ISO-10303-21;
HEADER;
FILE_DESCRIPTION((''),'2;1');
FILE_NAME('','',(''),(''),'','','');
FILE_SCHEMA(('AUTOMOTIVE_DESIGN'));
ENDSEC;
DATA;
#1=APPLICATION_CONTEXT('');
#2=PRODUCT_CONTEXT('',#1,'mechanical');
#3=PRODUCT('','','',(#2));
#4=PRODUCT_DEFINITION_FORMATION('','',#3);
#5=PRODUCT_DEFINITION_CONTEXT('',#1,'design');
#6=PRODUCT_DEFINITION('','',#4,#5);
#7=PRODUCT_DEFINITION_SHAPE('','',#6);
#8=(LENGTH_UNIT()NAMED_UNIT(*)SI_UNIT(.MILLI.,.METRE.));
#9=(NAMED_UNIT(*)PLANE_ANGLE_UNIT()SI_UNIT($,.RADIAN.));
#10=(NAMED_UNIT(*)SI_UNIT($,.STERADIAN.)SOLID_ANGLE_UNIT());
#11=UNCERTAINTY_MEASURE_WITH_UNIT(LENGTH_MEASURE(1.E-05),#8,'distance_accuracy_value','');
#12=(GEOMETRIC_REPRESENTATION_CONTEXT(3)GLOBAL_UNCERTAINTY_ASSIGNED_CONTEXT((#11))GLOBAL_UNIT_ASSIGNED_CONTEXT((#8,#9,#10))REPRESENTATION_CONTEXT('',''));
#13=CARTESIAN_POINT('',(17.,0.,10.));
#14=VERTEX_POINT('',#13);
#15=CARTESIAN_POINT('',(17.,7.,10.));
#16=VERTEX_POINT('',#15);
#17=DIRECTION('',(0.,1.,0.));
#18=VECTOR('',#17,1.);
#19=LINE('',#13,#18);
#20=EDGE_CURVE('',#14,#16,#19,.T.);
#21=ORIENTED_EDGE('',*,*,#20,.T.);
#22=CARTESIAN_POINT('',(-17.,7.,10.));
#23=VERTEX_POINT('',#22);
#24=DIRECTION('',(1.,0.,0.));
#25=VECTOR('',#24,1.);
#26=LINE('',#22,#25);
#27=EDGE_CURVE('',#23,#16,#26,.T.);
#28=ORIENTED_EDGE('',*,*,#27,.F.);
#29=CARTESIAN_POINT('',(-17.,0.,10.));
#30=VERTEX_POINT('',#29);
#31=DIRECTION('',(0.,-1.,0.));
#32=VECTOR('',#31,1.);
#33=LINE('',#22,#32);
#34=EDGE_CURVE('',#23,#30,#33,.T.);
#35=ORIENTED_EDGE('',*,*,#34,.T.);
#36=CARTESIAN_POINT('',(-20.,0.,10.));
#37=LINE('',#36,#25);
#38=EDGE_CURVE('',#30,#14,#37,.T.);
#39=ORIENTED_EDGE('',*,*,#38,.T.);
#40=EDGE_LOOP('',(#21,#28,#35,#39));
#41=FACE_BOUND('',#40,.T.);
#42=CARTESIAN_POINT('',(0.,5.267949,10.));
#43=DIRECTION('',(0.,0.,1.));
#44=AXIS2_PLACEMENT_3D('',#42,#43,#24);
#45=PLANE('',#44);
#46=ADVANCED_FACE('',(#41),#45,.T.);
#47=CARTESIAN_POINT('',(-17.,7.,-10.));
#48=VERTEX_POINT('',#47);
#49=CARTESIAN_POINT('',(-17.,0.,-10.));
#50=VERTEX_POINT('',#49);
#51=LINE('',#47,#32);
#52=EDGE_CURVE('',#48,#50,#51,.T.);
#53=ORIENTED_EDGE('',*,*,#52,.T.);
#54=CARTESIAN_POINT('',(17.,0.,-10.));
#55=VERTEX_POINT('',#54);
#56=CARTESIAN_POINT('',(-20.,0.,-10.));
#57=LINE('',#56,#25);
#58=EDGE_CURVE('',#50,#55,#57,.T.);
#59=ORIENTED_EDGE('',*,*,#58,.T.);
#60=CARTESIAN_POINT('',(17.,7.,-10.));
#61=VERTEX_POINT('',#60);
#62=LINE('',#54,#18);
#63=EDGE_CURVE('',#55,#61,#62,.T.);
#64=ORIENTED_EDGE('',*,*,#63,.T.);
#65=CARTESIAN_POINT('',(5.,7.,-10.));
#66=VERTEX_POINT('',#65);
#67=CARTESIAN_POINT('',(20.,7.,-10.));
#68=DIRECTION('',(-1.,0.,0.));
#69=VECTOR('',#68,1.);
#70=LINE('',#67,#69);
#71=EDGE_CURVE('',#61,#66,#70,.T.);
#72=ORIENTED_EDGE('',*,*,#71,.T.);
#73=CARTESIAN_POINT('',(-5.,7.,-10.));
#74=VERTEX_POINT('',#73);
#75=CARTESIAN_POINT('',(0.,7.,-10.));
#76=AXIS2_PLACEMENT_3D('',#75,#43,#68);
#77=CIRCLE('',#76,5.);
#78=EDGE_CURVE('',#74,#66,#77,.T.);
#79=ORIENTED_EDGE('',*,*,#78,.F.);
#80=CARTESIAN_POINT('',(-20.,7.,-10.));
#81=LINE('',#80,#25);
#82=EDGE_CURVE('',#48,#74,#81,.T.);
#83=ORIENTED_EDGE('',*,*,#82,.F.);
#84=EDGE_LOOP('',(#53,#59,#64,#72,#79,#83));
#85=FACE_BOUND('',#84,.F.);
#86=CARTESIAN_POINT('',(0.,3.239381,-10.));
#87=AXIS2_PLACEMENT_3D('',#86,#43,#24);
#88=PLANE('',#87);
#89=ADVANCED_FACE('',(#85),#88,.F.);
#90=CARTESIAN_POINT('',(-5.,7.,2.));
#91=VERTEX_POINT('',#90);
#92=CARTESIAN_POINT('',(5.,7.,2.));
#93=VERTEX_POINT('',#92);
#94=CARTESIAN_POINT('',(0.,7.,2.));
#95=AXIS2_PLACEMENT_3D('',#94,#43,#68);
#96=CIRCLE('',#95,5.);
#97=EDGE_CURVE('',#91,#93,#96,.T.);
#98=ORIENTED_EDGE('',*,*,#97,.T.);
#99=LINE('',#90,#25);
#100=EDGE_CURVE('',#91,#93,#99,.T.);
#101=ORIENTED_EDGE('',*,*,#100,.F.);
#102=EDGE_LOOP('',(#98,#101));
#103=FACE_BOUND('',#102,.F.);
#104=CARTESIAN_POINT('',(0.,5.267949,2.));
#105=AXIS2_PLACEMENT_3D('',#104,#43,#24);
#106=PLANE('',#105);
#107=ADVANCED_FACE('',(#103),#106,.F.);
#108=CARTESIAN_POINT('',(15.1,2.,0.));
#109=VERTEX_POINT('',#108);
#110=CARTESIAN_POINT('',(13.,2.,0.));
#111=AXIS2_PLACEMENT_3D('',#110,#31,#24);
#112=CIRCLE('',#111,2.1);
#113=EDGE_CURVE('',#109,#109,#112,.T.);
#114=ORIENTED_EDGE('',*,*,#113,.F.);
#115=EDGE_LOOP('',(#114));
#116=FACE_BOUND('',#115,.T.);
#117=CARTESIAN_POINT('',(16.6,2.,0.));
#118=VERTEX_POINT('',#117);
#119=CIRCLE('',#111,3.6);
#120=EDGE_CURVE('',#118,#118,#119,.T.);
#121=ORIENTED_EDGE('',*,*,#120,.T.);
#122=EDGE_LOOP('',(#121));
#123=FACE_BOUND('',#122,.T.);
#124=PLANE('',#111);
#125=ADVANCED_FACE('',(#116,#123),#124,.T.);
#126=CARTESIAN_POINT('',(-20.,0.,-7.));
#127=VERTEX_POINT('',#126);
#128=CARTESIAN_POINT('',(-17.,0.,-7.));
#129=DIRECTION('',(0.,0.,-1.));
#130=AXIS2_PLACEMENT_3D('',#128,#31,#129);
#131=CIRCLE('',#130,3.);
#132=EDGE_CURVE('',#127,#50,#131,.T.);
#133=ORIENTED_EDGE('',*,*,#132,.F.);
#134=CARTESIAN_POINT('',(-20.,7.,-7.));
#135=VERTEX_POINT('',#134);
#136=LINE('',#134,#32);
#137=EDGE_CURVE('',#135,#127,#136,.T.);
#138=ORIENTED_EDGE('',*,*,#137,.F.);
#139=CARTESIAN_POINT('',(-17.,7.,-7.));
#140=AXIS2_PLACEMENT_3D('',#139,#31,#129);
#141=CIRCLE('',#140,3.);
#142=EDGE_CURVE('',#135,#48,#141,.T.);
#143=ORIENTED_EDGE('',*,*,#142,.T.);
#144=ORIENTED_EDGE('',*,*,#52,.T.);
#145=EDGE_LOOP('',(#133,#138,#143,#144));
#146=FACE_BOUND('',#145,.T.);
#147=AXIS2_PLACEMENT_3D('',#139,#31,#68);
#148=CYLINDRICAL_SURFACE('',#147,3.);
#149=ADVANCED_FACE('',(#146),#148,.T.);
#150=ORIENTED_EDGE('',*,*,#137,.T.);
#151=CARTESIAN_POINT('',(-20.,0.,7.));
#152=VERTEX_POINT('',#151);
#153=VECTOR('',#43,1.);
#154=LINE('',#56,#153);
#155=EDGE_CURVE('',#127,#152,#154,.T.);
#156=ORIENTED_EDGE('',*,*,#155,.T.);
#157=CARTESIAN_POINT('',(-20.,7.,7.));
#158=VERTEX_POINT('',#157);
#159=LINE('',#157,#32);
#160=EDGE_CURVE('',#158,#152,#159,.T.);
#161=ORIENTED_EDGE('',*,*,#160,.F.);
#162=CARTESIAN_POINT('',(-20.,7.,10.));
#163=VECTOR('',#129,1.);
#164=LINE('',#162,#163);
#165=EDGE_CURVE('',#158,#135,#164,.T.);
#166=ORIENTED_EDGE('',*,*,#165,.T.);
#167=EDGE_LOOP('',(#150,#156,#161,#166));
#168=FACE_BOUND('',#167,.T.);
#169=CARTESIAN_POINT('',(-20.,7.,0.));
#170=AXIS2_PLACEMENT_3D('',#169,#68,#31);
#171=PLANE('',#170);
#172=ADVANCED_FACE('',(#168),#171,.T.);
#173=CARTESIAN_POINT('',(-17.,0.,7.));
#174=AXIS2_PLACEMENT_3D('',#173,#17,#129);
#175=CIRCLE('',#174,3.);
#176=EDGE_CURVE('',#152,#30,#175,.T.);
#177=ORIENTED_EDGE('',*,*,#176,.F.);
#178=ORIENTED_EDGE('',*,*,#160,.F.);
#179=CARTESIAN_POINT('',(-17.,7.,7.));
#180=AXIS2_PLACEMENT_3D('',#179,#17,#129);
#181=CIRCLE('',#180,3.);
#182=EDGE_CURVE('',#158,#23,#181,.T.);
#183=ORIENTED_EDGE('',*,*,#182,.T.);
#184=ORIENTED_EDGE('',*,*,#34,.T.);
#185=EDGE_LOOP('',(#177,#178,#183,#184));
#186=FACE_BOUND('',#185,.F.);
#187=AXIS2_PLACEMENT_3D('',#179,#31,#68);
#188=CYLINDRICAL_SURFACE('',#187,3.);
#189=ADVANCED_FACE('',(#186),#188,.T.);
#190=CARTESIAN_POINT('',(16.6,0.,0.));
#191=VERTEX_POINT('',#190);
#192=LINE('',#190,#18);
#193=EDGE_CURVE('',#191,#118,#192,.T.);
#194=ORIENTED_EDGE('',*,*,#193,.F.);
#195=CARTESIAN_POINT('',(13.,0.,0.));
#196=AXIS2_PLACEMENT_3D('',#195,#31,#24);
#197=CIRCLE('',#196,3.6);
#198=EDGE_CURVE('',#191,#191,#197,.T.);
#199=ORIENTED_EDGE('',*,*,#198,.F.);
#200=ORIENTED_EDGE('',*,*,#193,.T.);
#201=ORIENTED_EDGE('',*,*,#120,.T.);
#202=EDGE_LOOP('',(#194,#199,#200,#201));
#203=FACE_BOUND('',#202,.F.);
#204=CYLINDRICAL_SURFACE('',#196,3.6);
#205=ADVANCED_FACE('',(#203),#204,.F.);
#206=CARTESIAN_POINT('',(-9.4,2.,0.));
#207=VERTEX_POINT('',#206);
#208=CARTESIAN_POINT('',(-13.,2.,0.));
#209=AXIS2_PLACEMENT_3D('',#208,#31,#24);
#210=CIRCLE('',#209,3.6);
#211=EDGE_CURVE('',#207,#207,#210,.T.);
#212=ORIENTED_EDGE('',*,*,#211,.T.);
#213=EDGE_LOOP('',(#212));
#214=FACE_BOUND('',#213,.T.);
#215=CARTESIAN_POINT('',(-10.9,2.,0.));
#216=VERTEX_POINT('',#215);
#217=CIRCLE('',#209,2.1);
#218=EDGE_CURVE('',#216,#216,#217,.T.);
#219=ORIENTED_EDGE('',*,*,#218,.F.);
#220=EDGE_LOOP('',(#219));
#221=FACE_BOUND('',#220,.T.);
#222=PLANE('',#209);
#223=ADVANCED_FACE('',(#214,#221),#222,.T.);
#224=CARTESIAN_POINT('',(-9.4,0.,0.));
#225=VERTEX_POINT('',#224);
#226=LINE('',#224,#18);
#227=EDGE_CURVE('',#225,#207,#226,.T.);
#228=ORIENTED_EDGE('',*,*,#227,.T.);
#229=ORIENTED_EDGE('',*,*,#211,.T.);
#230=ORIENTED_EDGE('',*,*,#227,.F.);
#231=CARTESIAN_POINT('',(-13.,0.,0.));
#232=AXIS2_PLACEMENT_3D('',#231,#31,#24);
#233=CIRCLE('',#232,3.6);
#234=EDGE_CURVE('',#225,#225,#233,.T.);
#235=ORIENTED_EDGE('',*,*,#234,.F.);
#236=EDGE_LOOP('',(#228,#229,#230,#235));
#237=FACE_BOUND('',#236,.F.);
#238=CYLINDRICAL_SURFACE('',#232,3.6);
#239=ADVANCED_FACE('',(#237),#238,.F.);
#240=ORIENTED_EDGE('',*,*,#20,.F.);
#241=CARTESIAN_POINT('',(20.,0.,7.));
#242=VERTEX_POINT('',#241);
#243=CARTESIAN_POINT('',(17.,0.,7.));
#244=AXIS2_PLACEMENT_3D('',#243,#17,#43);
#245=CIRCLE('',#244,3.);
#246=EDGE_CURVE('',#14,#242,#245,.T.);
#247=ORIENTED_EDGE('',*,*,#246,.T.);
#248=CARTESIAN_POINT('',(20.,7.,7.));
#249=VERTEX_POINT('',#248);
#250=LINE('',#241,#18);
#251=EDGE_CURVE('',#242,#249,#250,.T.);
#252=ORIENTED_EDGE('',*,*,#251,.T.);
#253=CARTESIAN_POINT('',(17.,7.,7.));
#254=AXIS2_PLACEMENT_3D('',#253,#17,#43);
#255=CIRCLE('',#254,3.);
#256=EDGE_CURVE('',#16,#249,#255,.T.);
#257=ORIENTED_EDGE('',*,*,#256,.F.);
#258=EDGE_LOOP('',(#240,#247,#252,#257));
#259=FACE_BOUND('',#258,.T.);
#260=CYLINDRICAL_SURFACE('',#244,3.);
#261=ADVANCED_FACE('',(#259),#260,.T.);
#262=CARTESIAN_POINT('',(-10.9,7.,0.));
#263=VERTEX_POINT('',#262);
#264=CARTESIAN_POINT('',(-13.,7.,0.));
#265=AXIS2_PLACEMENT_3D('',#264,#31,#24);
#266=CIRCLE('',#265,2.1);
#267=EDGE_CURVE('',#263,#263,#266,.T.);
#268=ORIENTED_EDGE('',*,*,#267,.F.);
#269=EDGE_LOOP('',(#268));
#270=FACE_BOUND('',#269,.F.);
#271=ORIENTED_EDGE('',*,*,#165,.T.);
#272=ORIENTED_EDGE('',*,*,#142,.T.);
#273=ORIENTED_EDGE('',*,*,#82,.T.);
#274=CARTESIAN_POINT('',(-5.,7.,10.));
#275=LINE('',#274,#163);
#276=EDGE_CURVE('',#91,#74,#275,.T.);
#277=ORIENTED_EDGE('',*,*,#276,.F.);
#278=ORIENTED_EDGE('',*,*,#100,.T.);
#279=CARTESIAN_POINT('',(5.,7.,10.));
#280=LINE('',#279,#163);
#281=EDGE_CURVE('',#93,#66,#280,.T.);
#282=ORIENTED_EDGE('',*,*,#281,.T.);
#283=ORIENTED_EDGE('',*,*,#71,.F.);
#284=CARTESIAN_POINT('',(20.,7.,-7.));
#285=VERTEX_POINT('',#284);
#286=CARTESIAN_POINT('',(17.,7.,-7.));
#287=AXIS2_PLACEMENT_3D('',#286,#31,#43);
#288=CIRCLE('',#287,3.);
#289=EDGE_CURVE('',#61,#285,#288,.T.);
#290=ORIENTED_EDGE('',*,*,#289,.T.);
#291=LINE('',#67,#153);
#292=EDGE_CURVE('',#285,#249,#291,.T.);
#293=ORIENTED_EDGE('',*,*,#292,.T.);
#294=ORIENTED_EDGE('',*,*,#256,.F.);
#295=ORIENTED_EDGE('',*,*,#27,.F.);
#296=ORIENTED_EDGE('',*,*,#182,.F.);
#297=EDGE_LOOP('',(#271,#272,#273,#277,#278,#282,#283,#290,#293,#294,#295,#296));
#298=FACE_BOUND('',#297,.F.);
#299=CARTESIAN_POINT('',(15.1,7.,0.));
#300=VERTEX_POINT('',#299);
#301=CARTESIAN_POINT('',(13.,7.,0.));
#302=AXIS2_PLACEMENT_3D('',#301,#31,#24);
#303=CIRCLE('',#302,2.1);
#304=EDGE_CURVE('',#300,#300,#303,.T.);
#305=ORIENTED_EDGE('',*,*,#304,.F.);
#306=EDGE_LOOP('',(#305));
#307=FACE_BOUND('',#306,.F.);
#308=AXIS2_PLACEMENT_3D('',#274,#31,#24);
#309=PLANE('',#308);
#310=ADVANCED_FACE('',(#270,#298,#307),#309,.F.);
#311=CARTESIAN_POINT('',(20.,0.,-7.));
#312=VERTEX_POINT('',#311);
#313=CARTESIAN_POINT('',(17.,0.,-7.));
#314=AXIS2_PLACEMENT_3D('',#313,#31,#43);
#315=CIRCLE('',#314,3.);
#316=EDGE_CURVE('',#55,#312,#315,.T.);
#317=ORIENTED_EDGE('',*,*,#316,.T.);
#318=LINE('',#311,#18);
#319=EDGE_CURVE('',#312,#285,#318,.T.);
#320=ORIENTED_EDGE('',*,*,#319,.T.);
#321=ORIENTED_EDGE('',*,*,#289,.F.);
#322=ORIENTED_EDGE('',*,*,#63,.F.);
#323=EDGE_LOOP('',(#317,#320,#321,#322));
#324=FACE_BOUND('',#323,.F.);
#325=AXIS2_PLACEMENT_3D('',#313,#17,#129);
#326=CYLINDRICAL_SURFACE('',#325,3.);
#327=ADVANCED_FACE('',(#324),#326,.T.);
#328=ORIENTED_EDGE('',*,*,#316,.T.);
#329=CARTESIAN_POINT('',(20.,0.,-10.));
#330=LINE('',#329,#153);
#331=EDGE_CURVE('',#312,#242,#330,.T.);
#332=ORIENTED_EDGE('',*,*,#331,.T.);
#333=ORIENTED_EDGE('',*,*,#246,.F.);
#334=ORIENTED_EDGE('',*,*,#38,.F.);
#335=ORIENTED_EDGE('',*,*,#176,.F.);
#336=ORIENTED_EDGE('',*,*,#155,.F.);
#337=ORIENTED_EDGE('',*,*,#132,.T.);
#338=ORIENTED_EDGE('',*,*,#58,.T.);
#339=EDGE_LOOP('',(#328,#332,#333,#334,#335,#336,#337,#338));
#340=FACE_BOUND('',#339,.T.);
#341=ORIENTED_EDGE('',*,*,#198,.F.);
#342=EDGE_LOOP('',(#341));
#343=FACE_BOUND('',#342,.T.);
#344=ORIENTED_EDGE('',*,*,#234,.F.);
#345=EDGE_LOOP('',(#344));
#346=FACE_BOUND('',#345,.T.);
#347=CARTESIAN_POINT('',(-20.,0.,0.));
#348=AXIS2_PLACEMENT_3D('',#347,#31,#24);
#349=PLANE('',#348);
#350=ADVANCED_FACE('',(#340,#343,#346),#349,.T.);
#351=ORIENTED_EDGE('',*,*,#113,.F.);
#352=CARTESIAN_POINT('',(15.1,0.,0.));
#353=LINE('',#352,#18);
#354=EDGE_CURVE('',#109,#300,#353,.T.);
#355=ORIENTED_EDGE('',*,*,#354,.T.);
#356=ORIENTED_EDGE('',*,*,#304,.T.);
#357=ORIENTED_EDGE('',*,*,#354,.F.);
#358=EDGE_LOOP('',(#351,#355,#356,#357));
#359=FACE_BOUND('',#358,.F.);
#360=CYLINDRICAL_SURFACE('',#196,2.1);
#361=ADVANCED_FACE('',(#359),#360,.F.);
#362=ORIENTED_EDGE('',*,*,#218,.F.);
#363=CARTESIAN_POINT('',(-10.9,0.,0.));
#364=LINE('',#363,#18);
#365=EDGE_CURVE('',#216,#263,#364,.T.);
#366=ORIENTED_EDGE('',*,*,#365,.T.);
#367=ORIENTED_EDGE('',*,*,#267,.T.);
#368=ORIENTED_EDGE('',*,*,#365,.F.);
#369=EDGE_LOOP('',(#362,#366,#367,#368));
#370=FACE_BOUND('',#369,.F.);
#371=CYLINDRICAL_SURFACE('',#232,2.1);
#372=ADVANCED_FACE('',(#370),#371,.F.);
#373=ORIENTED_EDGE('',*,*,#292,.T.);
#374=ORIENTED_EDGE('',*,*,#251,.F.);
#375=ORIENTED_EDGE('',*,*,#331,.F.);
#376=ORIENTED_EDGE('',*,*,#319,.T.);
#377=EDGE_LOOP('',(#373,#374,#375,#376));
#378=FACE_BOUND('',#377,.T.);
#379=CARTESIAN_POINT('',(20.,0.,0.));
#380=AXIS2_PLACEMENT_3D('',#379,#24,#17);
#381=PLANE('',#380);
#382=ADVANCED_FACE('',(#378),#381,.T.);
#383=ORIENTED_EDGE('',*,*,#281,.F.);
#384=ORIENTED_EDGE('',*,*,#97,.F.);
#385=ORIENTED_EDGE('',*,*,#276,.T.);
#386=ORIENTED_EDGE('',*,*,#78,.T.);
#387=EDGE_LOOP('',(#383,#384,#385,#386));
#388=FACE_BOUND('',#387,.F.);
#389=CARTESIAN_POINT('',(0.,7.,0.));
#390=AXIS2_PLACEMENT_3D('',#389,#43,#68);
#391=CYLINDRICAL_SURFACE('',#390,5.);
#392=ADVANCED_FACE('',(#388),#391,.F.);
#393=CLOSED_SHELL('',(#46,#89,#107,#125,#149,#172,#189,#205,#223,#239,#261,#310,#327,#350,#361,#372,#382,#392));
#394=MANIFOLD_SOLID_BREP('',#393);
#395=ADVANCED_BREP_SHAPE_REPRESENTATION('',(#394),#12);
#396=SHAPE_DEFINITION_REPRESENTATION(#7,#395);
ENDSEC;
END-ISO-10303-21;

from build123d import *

# Parameters (mm, degrees)
PAD_DEPTH       = 10
SKETCH001_R     = 2.1
POCKET_DEPTH    = 10
FILLET_R        = 3
SKETCH002_R     = 3.6
POCKET001_DEPTH = 2
PAD001_DEPTH    = 8


with BuildPart() as part:
    # Sketch → Pad (new body, symmetric)
    with BuildSketch(Plane.XY):
        with BuildLine():
            Line((-20, 7), (-20, 0))
            Line((-20, 0), (20, 0))
            Line((20, 0), (20, 7))
            Line((20, 7), (5, 7))
            ThreePointArc((-5, 7), (0, 2), (5, 7))
            Line((-20, 7), (-5, 7))
        make_face()
    extrude(amount=PAD_DEPTH, both=True)

    # Sketch001 → Pocket (cut)
    with BuildSketch(Plane.XZ):
        with Locations((-13, 0)):
            Circle(SKETCH001_R)
        with Locations((13, 0)):
            Circle(SKETCH001_R)
    extrude(amount=-POCKET_DEPTH, mode=Mode.SUBTRACT)

    # Fillet
    fillet_edges = [part.edges().sort_by_distance(p)[0] for p in [
        (-20, 3.5, -10),
        (20, 3.5, -10),
        (-20, 3.5, 10),
        (20, 3.5, 10),
    ]]
    fillet(fillet_edges, radius=FILLET_R)

    # Sketch002 → Pocket001 (cut)
    with BuildSketch(Plane.XZ):
        with Locations((-13, 0)):
            Circle(SKETCH002_R)
        with Locations((13, 0)):
            Circle(SKETCH002_R)
    extrude(amount=-POCKET001_DEPTH, mode=Mode.SUBTRACT)

    # Sketch003 → Pad001 (new body)
    with BuildSketch(Plane.XY.offset(10)):
        with BuildLine():
            ThreePointArc((-5, 7), (0, 2), (5, 7))
            Line((-5, 7), (5, 7))
        make_face()
    extrude(amount=-PAD001_DEPTH)


solid = part.part
